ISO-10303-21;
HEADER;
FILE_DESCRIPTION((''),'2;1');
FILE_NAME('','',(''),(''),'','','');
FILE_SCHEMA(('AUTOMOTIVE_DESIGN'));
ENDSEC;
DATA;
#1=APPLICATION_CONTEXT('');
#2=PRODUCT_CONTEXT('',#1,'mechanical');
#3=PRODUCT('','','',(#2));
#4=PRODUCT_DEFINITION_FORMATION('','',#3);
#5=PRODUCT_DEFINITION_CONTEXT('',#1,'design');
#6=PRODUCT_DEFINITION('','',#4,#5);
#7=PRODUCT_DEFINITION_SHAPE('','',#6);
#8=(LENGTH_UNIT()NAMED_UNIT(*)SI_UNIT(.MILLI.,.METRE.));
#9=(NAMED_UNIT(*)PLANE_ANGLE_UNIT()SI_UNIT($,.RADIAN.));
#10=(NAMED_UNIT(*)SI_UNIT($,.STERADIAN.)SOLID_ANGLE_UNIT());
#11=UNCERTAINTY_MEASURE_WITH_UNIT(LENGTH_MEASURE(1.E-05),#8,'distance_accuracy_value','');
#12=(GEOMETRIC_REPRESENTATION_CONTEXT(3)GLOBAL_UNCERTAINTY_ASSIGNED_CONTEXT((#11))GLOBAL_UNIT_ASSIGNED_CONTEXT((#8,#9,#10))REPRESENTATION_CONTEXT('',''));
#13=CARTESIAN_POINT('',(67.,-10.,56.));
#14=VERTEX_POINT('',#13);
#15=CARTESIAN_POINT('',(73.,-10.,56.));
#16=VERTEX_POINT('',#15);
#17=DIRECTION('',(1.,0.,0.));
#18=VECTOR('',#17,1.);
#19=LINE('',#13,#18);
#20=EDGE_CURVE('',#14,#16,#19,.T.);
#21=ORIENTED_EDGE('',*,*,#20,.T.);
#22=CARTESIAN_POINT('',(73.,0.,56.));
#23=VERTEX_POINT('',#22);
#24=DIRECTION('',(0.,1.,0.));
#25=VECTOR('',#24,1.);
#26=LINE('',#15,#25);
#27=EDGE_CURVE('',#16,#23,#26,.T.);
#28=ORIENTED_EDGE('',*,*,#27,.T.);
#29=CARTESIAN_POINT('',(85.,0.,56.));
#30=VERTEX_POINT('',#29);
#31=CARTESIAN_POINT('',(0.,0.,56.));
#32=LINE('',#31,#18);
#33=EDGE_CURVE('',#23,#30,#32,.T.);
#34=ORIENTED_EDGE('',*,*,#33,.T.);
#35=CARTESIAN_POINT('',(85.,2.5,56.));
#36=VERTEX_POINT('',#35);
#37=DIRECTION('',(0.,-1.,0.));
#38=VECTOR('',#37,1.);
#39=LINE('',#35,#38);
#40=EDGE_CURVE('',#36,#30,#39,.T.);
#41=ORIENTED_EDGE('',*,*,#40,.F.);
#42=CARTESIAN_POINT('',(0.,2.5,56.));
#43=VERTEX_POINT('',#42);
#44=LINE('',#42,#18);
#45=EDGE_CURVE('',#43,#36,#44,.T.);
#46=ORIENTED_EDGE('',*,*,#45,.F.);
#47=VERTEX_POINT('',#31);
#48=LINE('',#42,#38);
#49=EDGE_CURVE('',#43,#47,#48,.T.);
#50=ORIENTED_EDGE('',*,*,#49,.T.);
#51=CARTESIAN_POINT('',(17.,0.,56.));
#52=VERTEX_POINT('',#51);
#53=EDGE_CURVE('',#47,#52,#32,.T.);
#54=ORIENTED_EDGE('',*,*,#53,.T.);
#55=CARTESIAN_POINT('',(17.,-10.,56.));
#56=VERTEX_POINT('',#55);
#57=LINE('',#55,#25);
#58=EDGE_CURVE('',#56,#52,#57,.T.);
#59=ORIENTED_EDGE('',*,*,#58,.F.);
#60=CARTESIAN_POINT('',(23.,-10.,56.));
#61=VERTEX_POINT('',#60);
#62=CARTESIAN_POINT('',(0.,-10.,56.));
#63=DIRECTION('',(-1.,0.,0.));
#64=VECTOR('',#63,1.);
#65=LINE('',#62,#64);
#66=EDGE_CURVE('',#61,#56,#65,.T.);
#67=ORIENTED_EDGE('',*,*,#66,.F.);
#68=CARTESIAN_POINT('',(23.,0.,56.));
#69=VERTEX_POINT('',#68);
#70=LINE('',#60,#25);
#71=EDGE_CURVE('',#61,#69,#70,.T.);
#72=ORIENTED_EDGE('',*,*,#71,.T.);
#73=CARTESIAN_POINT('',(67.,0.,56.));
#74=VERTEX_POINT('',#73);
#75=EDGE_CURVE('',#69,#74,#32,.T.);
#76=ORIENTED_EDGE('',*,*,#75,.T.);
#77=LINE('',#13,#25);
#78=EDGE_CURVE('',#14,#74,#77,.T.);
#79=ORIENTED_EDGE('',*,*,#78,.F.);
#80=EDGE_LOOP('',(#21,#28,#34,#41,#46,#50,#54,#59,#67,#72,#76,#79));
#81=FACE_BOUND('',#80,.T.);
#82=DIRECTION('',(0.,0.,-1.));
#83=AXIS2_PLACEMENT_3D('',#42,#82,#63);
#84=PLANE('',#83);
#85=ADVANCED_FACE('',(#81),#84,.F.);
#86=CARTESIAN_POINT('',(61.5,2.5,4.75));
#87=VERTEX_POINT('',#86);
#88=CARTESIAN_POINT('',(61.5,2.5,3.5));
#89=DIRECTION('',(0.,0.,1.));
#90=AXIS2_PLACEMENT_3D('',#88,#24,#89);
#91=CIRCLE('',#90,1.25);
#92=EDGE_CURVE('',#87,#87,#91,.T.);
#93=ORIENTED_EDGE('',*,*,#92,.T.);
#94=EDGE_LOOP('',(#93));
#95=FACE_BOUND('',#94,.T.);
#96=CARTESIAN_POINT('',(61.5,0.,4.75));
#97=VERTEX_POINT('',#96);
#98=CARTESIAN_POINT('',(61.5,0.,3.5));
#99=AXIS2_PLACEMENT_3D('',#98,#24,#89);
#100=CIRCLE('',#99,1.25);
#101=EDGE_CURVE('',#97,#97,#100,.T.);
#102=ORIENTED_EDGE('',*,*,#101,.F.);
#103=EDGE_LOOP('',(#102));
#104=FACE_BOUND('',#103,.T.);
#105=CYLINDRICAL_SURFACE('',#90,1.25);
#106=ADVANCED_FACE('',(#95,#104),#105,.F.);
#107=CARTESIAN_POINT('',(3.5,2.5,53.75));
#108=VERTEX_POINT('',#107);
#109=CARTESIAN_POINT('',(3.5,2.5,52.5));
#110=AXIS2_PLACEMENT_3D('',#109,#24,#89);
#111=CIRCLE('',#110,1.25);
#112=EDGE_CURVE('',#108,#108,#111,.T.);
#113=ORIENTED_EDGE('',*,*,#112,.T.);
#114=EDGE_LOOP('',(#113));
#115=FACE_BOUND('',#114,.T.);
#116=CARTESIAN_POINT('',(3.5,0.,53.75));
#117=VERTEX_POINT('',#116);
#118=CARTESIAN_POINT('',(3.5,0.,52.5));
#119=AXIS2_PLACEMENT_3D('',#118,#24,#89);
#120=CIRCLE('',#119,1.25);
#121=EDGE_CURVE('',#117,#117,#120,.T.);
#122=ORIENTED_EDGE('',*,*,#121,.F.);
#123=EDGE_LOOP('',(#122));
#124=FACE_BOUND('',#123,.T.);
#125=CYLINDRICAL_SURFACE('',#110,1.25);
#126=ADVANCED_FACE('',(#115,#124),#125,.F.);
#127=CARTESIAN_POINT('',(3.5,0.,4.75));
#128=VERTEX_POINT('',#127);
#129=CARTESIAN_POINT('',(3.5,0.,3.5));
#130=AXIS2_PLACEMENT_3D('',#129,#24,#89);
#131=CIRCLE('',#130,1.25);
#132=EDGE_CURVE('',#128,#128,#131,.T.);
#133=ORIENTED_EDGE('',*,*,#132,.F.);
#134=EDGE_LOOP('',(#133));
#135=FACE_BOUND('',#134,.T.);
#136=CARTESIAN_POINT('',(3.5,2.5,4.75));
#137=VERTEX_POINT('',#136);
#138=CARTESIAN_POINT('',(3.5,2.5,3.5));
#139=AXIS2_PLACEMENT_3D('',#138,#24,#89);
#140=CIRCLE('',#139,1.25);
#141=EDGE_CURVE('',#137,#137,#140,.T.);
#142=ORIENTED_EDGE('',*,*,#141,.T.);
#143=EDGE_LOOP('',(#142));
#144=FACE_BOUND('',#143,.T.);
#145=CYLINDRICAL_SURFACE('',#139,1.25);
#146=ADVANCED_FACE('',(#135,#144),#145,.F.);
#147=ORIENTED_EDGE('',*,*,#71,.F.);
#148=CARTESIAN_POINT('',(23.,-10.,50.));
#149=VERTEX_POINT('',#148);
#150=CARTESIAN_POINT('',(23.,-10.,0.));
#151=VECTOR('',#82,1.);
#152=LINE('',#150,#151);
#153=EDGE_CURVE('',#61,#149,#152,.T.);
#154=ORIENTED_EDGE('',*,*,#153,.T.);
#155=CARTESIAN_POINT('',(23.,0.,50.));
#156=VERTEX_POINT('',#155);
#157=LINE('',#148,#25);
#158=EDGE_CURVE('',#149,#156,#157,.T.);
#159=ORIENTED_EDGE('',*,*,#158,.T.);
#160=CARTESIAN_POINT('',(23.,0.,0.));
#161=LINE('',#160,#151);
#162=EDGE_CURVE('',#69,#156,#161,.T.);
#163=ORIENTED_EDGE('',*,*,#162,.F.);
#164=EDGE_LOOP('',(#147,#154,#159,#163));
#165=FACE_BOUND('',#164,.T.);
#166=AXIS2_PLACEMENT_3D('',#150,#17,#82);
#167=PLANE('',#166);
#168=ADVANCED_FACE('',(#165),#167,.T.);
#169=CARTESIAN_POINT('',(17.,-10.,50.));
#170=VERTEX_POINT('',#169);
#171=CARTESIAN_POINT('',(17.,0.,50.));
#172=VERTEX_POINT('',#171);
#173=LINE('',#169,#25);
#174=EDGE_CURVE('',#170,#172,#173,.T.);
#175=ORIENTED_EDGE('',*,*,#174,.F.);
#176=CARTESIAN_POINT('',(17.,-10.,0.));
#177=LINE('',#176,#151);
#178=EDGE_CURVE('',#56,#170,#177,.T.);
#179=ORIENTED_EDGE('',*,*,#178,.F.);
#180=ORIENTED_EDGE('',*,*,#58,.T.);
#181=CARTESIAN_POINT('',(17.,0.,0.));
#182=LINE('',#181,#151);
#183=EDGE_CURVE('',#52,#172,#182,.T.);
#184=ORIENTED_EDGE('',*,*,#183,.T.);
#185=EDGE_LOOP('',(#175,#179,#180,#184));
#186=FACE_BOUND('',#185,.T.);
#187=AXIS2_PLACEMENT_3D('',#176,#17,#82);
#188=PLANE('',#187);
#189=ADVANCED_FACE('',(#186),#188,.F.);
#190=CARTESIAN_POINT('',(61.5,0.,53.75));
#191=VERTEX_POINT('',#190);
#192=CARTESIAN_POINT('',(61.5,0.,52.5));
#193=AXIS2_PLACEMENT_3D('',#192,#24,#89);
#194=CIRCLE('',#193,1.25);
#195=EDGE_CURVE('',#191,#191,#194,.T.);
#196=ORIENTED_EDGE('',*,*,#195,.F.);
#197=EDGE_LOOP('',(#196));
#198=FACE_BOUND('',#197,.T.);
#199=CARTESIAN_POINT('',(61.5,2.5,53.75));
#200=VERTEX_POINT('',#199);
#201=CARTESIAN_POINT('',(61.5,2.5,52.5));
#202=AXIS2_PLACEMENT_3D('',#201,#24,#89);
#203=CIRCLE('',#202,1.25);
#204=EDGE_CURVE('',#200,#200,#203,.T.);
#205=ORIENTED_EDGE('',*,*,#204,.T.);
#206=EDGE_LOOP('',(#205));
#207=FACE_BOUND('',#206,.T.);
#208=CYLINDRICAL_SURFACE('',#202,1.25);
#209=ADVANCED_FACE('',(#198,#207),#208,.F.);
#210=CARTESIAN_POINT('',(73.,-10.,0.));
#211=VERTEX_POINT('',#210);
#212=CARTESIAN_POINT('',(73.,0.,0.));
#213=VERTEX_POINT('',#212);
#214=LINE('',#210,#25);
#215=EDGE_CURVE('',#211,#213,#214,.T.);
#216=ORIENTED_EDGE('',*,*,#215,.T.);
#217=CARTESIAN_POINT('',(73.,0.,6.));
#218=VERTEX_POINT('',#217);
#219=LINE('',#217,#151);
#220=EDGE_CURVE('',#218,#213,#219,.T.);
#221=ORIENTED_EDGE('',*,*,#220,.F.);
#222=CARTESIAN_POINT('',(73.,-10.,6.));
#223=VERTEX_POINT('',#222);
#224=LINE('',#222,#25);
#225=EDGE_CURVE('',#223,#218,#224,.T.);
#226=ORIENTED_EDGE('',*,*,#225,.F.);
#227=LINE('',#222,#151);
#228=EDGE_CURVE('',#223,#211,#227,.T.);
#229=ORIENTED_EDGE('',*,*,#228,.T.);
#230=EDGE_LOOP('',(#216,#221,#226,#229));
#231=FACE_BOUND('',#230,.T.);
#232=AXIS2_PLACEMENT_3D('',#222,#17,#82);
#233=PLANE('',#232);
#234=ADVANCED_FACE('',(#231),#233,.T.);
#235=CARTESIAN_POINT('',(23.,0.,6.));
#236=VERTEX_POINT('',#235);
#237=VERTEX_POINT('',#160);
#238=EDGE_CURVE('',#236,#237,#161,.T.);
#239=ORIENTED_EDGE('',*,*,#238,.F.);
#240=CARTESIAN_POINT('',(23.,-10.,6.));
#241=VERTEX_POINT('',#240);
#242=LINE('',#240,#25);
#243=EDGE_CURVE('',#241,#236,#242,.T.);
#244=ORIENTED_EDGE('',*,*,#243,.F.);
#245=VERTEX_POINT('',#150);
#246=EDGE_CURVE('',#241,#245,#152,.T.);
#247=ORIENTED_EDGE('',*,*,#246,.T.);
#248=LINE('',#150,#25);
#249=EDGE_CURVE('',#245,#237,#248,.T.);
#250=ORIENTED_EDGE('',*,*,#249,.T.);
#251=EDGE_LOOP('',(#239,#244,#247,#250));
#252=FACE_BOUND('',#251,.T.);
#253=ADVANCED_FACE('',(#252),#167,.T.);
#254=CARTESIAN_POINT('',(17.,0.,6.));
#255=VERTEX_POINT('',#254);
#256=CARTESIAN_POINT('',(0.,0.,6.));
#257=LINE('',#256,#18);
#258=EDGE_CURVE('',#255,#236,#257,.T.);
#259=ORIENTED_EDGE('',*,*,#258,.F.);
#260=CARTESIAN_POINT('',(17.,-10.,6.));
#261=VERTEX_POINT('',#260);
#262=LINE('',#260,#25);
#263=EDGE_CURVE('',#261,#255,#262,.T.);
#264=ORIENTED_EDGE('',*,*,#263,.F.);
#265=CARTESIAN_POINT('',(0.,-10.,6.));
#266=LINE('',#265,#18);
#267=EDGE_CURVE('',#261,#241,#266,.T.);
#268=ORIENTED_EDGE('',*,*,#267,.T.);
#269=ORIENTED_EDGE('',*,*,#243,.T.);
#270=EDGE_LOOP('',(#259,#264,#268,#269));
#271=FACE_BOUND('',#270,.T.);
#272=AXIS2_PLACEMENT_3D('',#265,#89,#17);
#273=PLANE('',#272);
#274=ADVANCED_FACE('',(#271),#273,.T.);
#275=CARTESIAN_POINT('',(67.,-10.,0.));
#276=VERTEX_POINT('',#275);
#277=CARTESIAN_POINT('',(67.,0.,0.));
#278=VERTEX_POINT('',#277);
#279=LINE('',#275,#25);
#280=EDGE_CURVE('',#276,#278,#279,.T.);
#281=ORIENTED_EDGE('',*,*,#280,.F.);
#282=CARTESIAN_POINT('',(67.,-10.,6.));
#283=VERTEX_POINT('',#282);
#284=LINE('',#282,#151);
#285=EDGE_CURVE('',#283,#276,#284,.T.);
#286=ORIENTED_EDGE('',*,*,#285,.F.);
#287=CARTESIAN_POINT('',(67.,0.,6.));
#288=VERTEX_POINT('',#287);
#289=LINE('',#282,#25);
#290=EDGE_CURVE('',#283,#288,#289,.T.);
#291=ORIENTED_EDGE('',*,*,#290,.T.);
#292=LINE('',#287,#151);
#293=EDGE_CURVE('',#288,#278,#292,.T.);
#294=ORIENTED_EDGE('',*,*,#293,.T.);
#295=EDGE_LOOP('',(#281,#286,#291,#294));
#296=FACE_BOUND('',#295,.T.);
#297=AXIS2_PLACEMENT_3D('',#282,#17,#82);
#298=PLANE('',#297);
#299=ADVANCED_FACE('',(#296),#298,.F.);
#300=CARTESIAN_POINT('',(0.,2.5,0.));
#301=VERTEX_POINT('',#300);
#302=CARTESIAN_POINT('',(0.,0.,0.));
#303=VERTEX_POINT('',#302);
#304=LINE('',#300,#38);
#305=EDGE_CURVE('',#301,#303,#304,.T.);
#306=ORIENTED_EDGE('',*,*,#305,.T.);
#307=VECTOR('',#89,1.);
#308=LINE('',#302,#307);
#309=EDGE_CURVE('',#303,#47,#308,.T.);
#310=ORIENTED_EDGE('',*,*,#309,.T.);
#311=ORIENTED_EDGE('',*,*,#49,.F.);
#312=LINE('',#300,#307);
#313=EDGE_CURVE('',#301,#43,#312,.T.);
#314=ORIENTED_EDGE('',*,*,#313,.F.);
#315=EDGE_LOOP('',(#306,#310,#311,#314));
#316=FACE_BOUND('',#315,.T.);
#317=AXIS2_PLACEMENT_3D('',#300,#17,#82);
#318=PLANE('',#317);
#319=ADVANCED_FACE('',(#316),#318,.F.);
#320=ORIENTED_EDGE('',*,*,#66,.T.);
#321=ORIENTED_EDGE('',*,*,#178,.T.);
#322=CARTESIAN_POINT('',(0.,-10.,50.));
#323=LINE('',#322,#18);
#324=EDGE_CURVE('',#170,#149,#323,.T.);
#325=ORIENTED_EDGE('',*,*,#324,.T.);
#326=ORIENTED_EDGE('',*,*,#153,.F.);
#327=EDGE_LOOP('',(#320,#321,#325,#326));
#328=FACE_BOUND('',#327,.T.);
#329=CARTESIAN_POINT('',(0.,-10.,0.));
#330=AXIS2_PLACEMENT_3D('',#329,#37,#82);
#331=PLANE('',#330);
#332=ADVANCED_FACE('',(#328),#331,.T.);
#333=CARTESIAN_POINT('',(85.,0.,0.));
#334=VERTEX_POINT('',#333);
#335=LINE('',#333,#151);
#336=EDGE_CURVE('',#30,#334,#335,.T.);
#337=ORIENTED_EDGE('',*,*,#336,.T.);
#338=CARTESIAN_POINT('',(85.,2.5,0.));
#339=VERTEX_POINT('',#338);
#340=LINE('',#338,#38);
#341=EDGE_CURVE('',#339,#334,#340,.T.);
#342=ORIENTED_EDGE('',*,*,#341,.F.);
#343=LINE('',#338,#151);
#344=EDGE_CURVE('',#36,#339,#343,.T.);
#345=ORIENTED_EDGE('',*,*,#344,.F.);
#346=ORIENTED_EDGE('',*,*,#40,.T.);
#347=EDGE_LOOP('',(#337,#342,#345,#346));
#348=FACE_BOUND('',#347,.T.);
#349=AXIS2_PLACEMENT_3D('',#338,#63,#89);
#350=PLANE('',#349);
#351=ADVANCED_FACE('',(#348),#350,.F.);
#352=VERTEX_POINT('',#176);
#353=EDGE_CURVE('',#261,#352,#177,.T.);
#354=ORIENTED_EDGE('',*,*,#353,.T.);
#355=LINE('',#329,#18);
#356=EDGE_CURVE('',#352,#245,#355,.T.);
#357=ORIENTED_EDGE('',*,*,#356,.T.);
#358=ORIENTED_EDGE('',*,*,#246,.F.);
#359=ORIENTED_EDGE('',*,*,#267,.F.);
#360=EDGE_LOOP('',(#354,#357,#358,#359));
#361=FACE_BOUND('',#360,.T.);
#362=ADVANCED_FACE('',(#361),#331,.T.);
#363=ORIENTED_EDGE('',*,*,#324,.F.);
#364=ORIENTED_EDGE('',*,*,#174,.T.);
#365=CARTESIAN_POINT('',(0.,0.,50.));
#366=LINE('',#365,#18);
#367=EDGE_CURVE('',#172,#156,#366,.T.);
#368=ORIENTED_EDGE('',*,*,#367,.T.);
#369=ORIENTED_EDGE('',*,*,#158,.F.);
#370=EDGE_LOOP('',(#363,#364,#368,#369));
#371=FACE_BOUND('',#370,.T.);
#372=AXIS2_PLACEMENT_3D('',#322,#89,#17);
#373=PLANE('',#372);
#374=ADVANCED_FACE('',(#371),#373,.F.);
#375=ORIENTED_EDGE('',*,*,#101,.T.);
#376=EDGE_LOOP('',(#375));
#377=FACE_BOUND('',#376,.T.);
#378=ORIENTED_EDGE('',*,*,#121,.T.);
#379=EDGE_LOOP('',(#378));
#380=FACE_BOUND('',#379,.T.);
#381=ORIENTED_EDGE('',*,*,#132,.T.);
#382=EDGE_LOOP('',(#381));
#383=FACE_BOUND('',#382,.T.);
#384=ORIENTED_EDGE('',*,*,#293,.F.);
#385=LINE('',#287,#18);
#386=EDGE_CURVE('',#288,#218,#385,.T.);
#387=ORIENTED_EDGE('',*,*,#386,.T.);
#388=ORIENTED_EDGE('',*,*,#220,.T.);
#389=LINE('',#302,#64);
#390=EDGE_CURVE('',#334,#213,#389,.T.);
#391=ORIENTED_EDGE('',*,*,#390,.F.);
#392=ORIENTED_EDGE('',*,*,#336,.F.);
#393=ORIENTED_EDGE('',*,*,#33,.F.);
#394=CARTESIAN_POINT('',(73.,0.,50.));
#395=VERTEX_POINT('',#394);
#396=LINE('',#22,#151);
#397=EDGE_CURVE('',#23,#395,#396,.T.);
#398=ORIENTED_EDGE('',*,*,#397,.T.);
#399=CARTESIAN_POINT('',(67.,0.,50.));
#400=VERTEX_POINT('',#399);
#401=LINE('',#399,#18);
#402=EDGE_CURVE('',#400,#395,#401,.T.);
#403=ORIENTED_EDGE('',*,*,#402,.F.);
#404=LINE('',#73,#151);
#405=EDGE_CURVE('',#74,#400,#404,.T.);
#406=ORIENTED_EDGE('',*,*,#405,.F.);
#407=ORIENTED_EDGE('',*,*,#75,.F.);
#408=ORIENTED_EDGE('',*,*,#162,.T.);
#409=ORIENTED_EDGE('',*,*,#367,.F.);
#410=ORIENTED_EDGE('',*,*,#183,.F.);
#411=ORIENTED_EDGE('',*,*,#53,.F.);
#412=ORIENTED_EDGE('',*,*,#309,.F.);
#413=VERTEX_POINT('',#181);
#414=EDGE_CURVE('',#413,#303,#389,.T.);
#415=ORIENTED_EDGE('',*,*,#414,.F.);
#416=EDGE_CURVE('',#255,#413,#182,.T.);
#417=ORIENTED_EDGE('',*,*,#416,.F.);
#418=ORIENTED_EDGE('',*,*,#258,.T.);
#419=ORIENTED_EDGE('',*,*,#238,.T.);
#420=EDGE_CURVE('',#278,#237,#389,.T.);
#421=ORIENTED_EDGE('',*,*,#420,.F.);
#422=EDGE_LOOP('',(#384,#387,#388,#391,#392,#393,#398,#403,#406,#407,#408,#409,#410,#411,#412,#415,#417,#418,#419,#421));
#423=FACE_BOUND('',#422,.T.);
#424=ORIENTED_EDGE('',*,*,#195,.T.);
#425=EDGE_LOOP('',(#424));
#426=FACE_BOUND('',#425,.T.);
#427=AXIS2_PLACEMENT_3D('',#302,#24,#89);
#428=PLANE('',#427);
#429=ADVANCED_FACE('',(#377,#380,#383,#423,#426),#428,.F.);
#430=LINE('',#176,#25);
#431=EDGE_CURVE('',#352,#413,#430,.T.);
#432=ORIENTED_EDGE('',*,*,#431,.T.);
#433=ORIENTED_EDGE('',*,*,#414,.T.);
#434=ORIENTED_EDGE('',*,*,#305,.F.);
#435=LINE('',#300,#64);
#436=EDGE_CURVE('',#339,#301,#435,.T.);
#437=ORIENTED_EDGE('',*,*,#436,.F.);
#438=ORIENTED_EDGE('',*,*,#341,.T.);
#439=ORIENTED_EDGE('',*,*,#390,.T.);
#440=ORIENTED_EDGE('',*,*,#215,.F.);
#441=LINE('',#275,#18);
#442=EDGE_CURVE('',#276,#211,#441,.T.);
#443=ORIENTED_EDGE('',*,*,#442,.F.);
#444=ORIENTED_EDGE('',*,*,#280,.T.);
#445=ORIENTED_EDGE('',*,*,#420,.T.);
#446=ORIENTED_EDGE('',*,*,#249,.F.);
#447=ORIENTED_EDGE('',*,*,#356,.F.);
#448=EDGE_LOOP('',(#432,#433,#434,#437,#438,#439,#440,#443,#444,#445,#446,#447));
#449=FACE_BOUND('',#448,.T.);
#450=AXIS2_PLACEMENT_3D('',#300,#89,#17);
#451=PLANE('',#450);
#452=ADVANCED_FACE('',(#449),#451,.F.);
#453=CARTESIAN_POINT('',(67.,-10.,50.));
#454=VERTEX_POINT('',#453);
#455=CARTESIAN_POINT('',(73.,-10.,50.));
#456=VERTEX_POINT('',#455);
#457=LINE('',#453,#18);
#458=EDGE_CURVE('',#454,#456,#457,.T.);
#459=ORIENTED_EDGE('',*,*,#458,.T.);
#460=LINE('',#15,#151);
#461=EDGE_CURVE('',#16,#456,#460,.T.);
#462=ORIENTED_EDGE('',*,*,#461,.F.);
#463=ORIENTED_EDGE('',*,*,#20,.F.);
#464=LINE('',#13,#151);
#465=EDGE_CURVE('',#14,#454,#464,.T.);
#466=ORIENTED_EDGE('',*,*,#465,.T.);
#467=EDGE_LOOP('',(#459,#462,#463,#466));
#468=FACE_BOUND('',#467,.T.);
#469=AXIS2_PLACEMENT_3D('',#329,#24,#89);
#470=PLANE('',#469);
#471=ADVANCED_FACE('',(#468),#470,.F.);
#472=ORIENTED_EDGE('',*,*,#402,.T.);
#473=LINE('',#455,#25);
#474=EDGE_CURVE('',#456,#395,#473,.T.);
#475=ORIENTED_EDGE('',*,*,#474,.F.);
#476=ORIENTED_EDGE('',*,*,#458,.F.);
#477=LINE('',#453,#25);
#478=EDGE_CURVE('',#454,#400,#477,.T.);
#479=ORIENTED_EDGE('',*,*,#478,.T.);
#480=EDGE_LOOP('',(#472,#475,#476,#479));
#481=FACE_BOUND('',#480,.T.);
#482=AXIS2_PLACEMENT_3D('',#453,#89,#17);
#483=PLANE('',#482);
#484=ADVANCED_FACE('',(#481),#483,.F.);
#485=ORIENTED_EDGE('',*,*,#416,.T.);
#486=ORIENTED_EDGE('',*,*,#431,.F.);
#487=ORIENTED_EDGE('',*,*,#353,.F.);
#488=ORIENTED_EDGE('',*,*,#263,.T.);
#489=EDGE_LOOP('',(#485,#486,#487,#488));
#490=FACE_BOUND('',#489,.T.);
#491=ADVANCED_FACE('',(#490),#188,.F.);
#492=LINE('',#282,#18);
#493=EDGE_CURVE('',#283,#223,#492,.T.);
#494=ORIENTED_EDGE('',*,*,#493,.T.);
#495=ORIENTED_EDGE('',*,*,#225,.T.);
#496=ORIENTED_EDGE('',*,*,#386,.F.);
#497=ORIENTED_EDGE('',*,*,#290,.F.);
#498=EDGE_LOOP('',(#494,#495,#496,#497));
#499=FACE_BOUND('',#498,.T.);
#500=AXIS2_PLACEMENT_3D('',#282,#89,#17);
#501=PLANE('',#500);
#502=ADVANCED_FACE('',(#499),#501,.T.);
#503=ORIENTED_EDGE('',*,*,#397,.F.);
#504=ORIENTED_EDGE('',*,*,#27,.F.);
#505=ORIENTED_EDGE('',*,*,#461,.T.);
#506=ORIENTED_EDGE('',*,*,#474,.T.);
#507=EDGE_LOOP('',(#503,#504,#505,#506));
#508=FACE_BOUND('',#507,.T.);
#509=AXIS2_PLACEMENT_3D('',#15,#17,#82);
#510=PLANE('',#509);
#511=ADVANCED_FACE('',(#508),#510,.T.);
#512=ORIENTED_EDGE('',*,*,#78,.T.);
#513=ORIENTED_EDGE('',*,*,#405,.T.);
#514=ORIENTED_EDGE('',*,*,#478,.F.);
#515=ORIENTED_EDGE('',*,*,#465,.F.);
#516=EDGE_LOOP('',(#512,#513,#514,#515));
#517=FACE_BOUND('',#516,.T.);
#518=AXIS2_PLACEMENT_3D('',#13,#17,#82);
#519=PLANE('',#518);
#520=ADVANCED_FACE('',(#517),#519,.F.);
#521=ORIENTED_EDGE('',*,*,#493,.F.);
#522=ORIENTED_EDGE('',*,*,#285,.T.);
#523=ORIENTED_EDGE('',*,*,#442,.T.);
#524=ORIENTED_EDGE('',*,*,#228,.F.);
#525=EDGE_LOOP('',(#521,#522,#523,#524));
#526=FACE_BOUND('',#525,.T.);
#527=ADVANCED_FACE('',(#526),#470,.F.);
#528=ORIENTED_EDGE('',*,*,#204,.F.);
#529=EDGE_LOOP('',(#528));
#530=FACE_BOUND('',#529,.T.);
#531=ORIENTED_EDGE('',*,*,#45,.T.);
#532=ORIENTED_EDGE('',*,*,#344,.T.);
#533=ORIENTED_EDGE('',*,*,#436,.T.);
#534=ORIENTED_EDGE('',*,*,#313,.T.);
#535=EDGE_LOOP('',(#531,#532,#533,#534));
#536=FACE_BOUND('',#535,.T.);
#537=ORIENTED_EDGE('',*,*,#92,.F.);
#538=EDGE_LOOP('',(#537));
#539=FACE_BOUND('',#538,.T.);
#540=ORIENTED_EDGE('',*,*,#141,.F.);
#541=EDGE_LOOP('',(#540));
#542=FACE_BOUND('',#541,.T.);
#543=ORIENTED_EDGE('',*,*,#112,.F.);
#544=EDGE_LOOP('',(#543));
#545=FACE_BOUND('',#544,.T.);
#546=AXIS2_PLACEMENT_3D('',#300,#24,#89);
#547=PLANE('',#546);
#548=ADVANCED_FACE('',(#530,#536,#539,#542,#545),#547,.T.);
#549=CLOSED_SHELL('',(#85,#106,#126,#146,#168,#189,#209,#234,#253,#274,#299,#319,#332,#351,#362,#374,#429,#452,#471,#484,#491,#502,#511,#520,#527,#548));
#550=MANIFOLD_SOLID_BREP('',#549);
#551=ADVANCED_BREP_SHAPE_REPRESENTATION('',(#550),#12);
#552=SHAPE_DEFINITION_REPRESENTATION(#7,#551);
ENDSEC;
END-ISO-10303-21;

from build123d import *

# Parameters (mm, degrees)
SKETCH1_W                   = 85
SKETCH1_H                   = 56
BOSS_EXTRUDE1_DEPTH         = 2.5
TAP_DRILL_FOR_M3X0_5_TAP2_D = 2.5
SKETCH5_W                   = 6
SKETCH5_H                   = 6
BOSS_EXTRUDE2_DEPTH         = 10


with BuildPart() as part:
    # Sketch1 → Boss-Extrude1 (new body)
    with BuildSketch(Plane(origin=(0, 0, 0), x_dir=(1, 0, 0), z_dir=(0, 1, 0))):
        with Locations((42.5, -28)):
            Rectangle(SKETCH1_W, SKETCH1_H)
    extrude(amount=BOSS_EXTRUDE1_DEPTH)

    # Tap Drill for M3x0.5 Tap2 (through all)
    with Locations(Plane(origin=(0, 2.5, 0), x_dir=(1, 0, 0), z_dir=(0, 1, 0))):
        with Locations((3.5, -3.5), (61.5, -3.5), (61.5, -52.5), (3.5, -52.5)):
            Hole(TAP_DRILL_FOR_M3X0_5_TAP2_D / 2)

    # Sketch5 → Boss-Extrude2 (add)
    with BuildSketch(Plane.XZ):
        with Locations((20, 3)):
            Rectangle(SKETCH5_W, SKETCH5_H)
        with Locations((20, 53)):
            Rectangle(SKETCH5_W, SKETCH5_H)
        with Locations((70, 3)):
            Rectangle(SKETCH5_W, SKETCH5_H)
        with Locations((70, 53)):
            Rectangle(SKETCH5_W, SKETCH5_H)
    extrude(amount=BOSS_EXTRUDE2_DEPTH)


solid = part.part
